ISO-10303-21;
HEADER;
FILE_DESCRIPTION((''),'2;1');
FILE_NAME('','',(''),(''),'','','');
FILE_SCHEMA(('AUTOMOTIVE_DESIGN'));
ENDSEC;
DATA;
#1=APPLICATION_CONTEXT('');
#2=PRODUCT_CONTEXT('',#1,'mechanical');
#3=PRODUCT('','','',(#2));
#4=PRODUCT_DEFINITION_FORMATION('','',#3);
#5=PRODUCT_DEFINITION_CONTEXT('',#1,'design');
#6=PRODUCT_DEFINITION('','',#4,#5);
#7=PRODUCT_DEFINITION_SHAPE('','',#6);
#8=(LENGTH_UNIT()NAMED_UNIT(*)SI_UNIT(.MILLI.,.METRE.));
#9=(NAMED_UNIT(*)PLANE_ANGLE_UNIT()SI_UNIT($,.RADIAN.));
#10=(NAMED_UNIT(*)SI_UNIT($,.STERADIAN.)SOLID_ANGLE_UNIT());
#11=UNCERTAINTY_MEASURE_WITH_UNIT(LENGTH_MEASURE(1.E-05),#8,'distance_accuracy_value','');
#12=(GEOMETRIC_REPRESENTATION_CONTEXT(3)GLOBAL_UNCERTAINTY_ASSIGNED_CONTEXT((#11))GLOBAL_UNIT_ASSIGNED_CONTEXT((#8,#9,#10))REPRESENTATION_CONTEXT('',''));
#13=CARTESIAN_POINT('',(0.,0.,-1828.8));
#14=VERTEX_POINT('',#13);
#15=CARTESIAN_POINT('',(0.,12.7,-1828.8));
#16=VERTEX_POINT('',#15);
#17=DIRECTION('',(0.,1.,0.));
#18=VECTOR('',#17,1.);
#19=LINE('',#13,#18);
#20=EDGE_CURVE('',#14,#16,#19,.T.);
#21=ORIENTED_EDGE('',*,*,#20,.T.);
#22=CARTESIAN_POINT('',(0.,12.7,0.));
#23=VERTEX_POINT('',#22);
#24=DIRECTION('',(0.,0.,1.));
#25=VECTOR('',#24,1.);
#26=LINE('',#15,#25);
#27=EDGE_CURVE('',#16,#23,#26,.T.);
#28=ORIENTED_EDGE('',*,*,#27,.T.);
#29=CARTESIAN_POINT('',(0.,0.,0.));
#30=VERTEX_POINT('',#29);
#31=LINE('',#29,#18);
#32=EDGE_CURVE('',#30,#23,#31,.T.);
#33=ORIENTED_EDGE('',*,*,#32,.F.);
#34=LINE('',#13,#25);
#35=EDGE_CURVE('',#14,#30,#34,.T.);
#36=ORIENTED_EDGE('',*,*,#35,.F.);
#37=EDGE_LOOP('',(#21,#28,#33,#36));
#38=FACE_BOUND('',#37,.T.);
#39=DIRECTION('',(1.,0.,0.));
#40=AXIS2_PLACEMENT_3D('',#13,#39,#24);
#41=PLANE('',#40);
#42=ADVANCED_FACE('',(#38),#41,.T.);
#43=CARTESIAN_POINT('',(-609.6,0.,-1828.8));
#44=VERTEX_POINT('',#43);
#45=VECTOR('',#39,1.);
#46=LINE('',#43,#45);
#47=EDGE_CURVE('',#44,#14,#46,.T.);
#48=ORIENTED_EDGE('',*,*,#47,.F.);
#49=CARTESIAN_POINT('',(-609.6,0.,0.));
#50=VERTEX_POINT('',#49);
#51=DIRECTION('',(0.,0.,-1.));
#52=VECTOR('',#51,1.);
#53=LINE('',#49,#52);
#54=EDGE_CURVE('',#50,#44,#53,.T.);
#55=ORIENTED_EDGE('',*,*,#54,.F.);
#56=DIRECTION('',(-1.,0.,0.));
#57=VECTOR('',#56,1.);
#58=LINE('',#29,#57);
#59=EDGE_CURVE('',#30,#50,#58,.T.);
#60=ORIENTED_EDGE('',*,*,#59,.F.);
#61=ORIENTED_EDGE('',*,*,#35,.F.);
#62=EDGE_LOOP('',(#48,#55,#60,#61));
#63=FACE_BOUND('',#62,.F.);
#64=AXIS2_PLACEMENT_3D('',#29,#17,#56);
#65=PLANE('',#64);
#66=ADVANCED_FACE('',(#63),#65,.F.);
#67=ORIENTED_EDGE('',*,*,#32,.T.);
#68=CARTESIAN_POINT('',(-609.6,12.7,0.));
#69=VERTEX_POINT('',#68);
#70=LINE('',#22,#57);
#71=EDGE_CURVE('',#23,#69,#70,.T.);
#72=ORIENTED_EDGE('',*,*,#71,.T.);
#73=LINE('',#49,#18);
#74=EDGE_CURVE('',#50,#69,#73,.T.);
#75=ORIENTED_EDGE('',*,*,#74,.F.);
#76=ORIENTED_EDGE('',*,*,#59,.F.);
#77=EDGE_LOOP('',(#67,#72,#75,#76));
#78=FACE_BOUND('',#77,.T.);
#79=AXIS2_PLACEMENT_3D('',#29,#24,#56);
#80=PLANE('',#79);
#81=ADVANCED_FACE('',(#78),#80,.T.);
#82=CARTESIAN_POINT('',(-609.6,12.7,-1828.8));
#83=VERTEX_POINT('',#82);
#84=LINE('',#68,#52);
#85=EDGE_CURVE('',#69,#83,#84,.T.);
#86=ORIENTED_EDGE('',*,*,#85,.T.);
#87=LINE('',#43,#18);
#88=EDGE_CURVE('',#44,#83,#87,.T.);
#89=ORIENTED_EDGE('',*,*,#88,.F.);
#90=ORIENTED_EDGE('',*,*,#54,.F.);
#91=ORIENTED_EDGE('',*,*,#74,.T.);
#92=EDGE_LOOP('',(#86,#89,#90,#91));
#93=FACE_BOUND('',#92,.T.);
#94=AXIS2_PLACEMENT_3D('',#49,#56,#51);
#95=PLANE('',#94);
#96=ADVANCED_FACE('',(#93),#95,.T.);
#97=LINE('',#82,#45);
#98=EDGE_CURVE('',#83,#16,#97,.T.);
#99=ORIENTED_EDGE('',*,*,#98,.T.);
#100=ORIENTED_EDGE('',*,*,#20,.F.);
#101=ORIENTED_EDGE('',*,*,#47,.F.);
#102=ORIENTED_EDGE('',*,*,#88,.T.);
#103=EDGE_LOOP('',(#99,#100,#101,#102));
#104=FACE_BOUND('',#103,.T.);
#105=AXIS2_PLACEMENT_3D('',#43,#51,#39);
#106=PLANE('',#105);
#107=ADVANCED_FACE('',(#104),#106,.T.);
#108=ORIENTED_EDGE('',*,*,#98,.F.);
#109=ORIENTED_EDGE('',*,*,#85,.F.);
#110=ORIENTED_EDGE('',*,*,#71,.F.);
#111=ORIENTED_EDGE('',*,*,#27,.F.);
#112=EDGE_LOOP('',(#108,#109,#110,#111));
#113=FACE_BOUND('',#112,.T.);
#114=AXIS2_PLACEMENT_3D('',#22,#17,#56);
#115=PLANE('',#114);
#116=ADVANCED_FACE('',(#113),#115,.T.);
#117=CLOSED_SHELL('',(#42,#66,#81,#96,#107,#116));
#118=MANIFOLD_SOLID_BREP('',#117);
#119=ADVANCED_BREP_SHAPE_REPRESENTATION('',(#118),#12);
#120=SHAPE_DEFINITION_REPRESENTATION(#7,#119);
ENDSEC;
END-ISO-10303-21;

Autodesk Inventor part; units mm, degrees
ref_plane "YZ Plane" through (0, 0, 0) normal (1, 0, 0) x (0, 1, 0)
ref_plane "XZ Plane" through (0, 0, 0) normal (0, 1, 0) x (-1, 0, 0)
ref_plane "XY Plane" through (0, 0, 0) normal (0, 0, 1) x (1, 0, 0)
sketch "Sketch1" plane through (0, 0, 0) normal (0, 1, 0) x (-1, 0, 0)
  line L0 (0, 0) -> (609.6, 0)
  line L1 (609.6, 0) -> (609.6, -1828.8)
  line L2 (609.6, -1828.8) -> (0, -1828.8)
  line L3 (0, -1828.8) -> (0, 0)
  dimension "d0" = 609.6
  dimension "d1" = 1828.8
extrude "Extrusion1" add sketch "Sketch1" along normal blind 12.7
properties part number "TopWood" material "Plywood, Finish"
